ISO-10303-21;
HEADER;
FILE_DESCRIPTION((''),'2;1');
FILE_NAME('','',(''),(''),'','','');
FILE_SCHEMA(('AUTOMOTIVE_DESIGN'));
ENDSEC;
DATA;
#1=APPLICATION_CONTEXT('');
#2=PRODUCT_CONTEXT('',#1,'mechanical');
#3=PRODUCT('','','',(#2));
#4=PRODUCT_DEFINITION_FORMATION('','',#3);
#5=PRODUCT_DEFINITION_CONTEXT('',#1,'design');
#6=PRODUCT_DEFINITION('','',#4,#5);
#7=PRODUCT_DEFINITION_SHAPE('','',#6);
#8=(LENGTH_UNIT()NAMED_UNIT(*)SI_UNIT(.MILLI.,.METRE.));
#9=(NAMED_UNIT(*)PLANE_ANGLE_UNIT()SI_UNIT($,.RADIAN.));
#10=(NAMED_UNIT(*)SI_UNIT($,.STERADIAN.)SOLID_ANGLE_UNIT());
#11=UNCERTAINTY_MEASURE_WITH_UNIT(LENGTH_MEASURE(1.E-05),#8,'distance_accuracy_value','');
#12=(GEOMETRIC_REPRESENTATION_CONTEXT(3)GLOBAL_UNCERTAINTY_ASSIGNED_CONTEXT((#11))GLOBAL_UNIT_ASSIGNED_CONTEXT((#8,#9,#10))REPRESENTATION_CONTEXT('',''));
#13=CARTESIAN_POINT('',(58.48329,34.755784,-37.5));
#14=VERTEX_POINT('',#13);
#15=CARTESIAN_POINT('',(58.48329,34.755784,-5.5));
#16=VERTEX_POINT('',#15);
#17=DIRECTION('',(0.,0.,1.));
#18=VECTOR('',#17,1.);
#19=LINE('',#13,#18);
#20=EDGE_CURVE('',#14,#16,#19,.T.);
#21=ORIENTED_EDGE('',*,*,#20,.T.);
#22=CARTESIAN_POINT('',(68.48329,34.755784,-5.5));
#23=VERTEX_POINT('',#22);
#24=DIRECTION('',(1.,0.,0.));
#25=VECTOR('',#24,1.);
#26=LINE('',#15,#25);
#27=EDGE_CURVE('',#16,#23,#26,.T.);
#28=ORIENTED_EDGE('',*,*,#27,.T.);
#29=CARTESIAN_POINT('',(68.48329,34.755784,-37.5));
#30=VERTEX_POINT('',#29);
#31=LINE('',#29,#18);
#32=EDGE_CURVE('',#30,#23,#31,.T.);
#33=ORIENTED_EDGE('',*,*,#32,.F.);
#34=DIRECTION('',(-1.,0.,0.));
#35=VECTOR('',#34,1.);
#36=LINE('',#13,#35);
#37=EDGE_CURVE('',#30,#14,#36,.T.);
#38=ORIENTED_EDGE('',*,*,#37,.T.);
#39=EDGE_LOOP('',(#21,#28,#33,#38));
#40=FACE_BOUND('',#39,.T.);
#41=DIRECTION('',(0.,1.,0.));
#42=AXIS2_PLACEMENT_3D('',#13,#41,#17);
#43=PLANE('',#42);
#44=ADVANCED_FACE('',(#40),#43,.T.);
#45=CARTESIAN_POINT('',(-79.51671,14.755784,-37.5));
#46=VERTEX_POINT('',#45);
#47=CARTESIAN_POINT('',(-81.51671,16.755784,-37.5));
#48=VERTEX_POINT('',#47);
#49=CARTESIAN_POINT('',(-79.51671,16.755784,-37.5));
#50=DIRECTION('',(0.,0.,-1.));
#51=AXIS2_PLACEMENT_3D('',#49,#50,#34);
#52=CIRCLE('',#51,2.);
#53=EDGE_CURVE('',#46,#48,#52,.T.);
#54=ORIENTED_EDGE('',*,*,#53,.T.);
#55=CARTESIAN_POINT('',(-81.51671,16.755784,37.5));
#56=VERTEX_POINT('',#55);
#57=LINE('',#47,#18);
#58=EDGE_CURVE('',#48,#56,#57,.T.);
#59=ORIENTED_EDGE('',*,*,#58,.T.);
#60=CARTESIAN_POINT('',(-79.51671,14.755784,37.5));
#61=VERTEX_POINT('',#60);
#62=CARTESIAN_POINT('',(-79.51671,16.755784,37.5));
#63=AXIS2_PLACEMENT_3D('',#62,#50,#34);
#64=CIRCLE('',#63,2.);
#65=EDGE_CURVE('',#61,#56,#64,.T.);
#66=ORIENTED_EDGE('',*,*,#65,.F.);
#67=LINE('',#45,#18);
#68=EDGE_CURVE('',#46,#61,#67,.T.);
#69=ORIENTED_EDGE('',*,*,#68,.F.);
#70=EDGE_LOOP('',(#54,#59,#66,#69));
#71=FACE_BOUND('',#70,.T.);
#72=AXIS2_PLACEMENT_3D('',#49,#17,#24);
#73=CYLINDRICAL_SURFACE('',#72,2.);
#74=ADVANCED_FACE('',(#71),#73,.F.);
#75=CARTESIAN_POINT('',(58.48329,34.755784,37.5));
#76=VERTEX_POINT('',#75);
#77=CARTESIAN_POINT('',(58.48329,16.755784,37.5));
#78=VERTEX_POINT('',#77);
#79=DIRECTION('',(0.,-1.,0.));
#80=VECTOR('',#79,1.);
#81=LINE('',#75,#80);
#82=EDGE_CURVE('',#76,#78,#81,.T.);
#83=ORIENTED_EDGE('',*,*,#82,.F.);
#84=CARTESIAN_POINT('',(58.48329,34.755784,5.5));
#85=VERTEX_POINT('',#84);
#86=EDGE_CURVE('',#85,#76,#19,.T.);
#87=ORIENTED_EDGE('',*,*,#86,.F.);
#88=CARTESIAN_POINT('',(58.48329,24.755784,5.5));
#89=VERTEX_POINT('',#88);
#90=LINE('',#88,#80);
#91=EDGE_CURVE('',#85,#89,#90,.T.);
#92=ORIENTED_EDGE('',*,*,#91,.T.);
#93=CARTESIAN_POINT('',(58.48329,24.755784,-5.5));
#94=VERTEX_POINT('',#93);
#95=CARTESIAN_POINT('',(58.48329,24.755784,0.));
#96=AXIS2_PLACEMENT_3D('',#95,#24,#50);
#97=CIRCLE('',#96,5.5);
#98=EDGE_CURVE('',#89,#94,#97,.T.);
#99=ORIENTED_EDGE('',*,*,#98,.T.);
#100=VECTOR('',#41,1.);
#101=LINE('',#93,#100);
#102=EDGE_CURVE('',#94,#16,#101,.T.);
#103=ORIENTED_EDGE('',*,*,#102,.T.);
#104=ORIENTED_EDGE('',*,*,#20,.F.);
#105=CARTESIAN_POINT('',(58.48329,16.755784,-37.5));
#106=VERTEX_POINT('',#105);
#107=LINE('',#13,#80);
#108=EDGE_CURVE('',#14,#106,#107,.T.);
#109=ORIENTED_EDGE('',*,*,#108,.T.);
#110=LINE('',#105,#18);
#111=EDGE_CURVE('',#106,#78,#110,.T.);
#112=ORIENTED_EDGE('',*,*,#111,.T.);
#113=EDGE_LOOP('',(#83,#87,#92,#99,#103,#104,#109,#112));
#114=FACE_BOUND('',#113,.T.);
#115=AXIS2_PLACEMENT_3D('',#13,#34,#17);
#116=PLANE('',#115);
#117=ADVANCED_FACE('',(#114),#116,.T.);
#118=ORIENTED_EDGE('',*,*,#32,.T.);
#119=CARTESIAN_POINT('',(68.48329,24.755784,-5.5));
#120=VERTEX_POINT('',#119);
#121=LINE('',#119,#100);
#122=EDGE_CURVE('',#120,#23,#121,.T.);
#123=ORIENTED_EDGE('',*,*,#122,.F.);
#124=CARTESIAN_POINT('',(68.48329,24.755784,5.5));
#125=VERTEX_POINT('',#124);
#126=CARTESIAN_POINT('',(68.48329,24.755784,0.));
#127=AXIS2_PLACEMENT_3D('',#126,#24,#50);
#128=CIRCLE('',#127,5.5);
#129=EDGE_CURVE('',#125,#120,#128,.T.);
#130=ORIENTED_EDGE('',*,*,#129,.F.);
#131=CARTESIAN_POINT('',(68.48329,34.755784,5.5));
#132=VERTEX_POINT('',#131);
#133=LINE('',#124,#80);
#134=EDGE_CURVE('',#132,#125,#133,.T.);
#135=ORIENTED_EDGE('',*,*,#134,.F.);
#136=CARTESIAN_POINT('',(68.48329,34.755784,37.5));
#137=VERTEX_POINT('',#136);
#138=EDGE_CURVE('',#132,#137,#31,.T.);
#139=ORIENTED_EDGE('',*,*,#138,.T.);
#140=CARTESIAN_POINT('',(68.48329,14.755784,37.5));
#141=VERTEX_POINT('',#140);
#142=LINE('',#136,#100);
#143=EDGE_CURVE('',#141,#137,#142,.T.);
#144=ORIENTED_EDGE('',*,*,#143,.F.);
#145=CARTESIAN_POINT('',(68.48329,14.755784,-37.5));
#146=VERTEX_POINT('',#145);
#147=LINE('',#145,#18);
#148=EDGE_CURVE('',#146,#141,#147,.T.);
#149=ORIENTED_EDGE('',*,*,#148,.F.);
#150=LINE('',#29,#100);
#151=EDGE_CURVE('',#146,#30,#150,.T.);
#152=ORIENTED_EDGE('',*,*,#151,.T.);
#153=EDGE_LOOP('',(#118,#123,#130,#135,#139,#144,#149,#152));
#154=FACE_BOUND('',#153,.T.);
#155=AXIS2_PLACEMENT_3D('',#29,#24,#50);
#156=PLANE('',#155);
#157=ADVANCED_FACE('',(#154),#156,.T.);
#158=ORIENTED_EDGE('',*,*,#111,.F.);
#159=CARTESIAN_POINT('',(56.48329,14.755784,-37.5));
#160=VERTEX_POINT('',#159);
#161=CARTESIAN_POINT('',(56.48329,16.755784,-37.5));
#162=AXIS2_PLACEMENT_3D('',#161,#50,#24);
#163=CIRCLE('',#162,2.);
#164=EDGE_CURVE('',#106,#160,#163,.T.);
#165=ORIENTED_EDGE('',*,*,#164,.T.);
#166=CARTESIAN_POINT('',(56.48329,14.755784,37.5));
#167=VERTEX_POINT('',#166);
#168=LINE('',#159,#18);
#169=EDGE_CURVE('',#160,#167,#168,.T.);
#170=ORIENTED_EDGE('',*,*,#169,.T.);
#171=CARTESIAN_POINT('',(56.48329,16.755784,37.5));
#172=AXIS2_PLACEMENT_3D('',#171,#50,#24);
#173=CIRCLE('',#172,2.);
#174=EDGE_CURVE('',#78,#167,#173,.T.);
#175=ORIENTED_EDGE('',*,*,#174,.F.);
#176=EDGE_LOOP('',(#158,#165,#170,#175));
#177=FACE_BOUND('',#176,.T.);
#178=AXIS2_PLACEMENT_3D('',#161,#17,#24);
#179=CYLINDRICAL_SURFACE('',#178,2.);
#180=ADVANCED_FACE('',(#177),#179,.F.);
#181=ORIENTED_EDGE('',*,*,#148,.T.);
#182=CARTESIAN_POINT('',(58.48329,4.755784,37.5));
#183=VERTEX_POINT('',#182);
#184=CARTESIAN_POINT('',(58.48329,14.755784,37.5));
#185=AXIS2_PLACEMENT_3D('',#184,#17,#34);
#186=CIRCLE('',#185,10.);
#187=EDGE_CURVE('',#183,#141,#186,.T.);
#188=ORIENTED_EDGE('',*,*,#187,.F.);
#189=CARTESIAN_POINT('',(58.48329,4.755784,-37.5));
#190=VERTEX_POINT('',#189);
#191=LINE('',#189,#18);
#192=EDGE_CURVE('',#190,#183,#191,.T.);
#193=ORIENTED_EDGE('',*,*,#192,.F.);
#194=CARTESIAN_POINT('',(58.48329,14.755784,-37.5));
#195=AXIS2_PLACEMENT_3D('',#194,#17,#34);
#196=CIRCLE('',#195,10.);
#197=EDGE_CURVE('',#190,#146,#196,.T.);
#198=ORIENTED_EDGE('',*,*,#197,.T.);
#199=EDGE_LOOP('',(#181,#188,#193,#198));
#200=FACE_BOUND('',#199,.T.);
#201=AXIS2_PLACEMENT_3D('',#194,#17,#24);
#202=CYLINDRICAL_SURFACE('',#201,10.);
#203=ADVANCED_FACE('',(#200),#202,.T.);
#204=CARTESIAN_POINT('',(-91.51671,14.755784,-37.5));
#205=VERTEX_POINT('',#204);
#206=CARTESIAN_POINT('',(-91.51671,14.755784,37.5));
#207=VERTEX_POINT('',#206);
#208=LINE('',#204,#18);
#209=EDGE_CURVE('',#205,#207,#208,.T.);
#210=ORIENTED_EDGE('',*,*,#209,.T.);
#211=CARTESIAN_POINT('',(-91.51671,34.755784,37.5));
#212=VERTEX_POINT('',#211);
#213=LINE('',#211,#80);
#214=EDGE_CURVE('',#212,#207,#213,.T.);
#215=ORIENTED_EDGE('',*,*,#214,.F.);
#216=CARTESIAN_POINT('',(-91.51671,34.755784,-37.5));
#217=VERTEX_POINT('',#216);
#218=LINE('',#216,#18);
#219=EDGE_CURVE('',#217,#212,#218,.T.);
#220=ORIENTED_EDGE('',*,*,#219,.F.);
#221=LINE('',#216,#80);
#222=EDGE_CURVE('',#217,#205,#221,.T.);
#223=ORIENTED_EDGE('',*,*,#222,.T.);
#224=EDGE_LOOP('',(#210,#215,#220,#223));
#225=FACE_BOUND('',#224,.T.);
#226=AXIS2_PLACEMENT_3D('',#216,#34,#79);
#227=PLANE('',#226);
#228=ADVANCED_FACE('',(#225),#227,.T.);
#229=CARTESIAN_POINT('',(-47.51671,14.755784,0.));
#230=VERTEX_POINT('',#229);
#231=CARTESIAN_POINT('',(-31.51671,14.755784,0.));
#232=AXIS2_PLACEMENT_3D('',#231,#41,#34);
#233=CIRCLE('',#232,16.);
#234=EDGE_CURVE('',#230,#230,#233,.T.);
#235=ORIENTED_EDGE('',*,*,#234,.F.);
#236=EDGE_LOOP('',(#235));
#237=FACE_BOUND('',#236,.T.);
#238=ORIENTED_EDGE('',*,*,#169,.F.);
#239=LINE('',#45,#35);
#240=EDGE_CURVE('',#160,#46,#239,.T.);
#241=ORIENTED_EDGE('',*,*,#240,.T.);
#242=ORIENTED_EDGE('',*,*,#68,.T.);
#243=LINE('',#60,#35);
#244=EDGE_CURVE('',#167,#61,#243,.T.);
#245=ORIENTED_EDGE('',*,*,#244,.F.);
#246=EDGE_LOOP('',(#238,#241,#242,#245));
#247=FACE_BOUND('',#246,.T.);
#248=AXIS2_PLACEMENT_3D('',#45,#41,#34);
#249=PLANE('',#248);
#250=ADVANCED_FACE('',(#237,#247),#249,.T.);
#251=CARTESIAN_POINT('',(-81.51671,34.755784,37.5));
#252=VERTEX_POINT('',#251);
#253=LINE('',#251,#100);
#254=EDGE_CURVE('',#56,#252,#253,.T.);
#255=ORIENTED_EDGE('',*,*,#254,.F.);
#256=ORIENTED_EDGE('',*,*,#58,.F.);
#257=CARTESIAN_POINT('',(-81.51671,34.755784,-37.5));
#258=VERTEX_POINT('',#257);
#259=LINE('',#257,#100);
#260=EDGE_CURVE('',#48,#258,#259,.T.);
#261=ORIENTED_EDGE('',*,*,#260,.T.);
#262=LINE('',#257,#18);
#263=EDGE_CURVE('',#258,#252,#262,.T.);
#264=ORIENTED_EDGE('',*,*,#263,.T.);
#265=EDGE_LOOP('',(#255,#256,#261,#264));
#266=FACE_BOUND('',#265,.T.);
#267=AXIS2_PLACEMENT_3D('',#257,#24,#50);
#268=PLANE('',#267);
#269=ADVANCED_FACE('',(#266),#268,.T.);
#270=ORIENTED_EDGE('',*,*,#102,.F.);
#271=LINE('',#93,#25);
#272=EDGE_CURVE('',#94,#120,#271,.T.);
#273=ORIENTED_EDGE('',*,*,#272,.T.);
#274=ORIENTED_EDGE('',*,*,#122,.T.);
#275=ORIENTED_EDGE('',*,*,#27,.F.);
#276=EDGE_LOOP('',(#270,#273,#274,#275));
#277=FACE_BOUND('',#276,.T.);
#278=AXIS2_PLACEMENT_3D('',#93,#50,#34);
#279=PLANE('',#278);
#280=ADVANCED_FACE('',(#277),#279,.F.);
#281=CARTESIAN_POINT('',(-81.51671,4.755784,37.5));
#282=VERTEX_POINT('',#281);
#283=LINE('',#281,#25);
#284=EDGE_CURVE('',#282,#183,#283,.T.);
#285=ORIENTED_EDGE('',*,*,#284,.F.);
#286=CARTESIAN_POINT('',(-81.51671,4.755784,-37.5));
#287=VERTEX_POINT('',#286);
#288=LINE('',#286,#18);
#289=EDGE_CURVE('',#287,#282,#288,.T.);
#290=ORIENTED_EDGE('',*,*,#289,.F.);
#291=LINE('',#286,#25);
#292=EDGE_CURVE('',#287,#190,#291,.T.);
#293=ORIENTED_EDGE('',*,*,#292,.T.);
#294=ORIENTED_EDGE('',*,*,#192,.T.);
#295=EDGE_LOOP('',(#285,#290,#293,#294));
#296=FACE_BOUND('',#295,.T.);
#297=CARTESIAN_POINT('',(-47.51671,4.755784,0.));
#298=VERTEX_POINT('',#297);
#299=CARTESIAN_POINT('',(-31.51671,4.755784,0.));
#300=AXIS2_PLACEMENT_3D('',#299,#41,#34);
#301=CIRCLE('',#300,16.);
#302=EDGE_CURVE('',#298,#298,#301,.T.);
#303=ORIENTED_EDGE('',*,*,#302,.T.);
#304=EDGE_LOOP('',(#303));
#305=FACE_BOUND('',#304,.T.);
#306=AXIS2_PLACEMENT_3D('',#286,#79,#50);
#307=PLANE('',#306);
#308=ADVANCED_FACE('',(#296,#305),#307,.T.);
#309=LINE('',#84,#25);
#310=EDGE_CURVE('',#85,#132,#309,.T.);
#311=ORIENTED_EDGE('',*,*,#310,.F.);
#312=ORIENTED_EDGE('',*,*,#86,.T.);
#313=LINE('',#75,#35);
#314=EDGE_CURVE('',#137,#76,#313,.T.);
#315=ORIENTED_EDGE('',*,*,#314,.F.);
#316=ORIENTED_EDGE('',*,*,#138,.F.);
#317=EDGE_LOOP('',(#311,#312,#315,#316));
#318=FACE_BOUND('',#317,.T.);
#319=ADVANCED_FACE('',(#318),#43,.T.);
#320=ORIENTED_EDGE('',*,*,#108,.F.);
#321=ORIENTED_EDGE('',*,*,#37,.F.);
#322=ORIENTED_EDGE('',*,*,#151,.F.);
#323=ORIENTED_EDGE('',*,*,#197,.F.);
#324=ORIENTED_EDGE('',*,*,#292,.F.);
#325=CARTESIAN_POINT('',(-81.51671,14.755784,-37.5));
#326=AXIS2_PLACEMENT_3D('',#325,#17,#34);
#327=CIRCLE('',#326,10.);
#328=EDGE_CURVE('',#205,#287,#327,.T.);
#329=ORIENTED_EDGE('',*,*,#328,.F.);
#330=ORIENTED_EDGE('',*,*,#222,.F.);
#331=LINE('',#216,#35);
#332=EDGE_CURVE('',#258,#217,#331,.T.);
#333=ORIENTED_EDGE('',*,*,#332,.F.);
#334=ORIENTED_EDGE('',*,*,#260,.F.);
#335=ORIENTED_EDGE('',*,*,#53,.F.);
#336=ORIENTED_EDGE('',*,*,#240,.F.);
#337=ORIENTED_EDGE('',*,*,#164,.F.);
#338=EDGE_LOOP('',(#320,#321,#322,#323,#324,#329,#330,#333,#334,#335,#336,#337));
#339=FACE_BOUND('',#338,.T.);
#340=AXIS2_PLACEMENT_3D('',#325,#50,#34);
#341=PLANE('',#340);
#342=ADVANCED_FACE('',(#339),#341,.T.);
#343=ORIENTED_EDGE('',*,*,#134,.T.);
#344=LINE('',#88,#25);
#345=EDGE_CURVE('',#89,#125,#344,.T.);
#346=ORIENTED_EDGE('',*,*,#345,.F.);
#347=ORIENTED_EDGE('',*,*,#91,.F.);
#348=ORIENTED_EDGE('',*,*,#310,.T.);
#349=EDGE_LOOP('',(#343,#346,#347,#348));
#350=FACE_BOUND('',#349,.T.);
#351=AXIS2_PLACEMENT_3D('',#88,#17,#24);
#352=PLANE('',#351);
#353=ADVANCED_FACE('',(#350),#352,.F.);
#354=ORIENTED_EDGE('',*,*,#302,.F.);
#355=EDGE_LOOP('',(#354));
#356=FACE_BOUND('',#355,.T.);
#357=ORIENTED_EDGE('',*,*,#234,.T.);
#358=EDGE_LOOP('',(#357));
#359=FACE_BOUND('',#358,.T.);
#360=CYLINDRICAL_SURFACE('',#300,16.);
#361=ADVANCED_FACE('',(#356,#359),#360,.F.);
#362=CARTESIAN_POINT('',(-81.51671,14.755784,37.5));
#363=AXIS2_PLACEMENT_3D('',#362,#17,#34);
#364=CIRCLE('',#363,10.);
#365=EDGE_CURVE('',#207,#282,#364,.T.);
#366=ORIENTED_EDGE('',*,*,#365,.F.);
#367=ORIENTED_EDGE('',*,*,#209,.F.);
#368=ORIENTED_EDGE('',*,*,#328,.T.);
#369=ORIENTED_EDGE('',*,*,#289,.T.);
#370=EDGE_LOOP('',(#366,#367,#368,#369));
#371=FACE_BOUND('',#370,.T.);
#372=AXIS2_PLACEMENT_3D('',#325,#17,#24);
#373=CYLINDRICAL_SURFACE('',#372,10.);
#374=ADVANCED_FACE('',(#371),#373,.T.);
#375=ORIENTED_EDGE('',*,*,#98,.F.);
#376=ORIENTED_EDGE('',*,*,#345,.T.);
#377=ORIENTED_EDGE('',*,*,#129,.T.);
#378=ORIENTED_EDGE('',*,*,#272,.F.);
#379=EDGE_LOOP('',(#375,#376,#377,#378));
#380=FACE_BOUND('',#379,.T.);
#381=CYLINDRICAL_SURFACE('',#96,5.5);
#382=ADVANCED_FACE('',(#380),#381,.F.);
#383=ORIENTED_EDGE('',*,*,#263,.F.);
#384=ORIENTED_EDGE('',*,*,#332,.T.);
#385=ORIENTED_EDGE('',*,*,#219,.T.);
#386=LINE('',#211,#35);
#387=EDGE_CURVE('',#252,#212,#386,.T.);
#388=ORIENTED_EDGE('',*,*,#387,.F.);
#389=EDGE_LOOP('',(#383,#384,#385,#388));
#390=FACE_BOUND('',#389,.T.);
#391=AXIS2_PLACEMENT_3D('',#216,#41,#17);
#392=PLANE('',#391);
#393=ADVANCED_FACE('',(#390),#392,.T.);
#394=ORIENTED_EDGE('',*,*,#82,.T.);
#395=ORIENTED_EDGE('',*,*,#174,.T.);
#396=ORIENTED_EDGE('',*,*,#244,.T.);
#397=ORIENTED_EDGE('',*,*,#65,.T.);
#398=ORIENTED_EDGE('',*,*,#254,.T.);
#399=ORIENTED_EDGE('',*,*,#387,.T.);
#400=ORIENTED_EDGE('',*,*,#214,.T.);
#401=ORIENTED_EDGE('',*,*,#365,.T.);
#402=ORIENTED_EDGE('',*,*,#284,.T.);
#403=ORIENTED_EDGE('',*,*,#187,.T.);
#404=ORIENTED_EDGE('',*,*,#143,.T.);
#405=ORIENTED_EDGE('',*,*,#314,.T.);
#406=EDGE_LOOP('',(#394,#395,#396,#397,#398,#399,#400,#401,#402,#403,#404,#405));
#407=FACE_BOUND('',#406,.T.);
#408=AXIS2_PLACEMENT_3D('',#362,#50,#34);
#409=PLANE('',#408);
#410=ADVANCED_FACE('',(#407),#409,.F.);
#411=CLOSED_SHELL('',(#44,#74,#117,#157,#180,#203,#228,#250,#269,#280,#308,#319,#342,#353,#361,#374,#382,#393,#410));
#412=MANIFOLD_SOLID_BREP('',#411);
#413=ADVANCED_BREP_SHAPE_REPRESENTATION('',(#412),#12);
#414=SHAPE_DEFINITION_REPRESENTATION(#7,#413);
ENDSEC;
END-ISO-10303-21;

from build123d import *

# Parameters (mm, degrees)
BOSS_EXTRUDE1_DEPTH = 37.5
CUT_EXTRUDE1_DEPTH  = 10
SKETCH5_R           = 16
CUT_EXTRUDE4_DEPTH  = 11


with BuildPart() as part:
    # Sketch1 → Boss-Extrude1 (new body, symmetric)
    with BuildSketch(Plane.XY):
        with BuildLine():
            Line((-91.516709512, 34.755784062), (-81.516709512, 34.755784062))
            Line((-81.516709512, 34.755784062), (-81.516709512, 16.755784062))
            ThreePointArc((-81.516709512, 16.755784062), (-80.930923074, 15.341570499), (-79.516709512, 14.755784062))
            Line((-79.516709512, 14.755784062), (56.483290488, 14.755784062))
            ThreePointArc((56.483290488, 14.755784062), (57.897504051, 15.341570499), (58.483290488, 16.755784062))
            Line((58.483290488, 16.755784062), (58.483290488, 34.755784062))
            Line((58.483290488, 34.755784062), (68.483290488, 34.755784062))
            Line((68.483290488, 34.755784062), (68.483290488, 14.755784062))
            ThreePointArc((68.483290488, 14.755784062), (65.5543583, 7.68471625), (58.483290488, 4.755784062))
            Line((58.483290488, 4.755784062), (-81.516709512, 4.755784062))
            ThreePointArc((-81.516709512, 4.755784062), (-88.587777323, 7.68471625), (-91.516709512, 14.755784062))
            Line((-91.516709512, 14.755784062), (-91.516709512, 34.755784062))
        make_face()
    extrude(amount=BOSS_EXTRUDE1_DEPTH, both=True)

    # Sketch2 → Cut-Extrude1 (cut)
    with BuildSketch(Plane(origin=(68.483290488, 0, 0), x_dir=(0, 0, -1), z_dir=(1, 0, 0))):
        with BuildLine():
            Line((-5.5, 24.755784062), (-5.5, 34.755784062))
            Line((-5.5, 34.755784062), (5.5, 34.755784062))
            Line((5.5, 34.755784062), (5.5, 24.755784062))
            ThreePointArc((5.5, 24.755784062), (0, 19.255784062), (-5.5, 24.755784062))
        make_face()
    extrude(amount=-CUT_EXTRUDE1_DEPTH, mode=Mode.SUBTRACT)

    # Sketch5 → Cut-Extrude4 (cut, through all)
    with BuildSketch(Plane(origin=(0, 14.755784062, 0), x_dir=(1, 0, 0), z_dir=(0, 1, 0))):
        with Locations((-31.516709512, 0)):
            Circle(SKETCH5_R)
    extrude(amount=-CUT_EXTRUDE4_DEPTH, mode=Mode.SUBTRACT)


solid = part.part
